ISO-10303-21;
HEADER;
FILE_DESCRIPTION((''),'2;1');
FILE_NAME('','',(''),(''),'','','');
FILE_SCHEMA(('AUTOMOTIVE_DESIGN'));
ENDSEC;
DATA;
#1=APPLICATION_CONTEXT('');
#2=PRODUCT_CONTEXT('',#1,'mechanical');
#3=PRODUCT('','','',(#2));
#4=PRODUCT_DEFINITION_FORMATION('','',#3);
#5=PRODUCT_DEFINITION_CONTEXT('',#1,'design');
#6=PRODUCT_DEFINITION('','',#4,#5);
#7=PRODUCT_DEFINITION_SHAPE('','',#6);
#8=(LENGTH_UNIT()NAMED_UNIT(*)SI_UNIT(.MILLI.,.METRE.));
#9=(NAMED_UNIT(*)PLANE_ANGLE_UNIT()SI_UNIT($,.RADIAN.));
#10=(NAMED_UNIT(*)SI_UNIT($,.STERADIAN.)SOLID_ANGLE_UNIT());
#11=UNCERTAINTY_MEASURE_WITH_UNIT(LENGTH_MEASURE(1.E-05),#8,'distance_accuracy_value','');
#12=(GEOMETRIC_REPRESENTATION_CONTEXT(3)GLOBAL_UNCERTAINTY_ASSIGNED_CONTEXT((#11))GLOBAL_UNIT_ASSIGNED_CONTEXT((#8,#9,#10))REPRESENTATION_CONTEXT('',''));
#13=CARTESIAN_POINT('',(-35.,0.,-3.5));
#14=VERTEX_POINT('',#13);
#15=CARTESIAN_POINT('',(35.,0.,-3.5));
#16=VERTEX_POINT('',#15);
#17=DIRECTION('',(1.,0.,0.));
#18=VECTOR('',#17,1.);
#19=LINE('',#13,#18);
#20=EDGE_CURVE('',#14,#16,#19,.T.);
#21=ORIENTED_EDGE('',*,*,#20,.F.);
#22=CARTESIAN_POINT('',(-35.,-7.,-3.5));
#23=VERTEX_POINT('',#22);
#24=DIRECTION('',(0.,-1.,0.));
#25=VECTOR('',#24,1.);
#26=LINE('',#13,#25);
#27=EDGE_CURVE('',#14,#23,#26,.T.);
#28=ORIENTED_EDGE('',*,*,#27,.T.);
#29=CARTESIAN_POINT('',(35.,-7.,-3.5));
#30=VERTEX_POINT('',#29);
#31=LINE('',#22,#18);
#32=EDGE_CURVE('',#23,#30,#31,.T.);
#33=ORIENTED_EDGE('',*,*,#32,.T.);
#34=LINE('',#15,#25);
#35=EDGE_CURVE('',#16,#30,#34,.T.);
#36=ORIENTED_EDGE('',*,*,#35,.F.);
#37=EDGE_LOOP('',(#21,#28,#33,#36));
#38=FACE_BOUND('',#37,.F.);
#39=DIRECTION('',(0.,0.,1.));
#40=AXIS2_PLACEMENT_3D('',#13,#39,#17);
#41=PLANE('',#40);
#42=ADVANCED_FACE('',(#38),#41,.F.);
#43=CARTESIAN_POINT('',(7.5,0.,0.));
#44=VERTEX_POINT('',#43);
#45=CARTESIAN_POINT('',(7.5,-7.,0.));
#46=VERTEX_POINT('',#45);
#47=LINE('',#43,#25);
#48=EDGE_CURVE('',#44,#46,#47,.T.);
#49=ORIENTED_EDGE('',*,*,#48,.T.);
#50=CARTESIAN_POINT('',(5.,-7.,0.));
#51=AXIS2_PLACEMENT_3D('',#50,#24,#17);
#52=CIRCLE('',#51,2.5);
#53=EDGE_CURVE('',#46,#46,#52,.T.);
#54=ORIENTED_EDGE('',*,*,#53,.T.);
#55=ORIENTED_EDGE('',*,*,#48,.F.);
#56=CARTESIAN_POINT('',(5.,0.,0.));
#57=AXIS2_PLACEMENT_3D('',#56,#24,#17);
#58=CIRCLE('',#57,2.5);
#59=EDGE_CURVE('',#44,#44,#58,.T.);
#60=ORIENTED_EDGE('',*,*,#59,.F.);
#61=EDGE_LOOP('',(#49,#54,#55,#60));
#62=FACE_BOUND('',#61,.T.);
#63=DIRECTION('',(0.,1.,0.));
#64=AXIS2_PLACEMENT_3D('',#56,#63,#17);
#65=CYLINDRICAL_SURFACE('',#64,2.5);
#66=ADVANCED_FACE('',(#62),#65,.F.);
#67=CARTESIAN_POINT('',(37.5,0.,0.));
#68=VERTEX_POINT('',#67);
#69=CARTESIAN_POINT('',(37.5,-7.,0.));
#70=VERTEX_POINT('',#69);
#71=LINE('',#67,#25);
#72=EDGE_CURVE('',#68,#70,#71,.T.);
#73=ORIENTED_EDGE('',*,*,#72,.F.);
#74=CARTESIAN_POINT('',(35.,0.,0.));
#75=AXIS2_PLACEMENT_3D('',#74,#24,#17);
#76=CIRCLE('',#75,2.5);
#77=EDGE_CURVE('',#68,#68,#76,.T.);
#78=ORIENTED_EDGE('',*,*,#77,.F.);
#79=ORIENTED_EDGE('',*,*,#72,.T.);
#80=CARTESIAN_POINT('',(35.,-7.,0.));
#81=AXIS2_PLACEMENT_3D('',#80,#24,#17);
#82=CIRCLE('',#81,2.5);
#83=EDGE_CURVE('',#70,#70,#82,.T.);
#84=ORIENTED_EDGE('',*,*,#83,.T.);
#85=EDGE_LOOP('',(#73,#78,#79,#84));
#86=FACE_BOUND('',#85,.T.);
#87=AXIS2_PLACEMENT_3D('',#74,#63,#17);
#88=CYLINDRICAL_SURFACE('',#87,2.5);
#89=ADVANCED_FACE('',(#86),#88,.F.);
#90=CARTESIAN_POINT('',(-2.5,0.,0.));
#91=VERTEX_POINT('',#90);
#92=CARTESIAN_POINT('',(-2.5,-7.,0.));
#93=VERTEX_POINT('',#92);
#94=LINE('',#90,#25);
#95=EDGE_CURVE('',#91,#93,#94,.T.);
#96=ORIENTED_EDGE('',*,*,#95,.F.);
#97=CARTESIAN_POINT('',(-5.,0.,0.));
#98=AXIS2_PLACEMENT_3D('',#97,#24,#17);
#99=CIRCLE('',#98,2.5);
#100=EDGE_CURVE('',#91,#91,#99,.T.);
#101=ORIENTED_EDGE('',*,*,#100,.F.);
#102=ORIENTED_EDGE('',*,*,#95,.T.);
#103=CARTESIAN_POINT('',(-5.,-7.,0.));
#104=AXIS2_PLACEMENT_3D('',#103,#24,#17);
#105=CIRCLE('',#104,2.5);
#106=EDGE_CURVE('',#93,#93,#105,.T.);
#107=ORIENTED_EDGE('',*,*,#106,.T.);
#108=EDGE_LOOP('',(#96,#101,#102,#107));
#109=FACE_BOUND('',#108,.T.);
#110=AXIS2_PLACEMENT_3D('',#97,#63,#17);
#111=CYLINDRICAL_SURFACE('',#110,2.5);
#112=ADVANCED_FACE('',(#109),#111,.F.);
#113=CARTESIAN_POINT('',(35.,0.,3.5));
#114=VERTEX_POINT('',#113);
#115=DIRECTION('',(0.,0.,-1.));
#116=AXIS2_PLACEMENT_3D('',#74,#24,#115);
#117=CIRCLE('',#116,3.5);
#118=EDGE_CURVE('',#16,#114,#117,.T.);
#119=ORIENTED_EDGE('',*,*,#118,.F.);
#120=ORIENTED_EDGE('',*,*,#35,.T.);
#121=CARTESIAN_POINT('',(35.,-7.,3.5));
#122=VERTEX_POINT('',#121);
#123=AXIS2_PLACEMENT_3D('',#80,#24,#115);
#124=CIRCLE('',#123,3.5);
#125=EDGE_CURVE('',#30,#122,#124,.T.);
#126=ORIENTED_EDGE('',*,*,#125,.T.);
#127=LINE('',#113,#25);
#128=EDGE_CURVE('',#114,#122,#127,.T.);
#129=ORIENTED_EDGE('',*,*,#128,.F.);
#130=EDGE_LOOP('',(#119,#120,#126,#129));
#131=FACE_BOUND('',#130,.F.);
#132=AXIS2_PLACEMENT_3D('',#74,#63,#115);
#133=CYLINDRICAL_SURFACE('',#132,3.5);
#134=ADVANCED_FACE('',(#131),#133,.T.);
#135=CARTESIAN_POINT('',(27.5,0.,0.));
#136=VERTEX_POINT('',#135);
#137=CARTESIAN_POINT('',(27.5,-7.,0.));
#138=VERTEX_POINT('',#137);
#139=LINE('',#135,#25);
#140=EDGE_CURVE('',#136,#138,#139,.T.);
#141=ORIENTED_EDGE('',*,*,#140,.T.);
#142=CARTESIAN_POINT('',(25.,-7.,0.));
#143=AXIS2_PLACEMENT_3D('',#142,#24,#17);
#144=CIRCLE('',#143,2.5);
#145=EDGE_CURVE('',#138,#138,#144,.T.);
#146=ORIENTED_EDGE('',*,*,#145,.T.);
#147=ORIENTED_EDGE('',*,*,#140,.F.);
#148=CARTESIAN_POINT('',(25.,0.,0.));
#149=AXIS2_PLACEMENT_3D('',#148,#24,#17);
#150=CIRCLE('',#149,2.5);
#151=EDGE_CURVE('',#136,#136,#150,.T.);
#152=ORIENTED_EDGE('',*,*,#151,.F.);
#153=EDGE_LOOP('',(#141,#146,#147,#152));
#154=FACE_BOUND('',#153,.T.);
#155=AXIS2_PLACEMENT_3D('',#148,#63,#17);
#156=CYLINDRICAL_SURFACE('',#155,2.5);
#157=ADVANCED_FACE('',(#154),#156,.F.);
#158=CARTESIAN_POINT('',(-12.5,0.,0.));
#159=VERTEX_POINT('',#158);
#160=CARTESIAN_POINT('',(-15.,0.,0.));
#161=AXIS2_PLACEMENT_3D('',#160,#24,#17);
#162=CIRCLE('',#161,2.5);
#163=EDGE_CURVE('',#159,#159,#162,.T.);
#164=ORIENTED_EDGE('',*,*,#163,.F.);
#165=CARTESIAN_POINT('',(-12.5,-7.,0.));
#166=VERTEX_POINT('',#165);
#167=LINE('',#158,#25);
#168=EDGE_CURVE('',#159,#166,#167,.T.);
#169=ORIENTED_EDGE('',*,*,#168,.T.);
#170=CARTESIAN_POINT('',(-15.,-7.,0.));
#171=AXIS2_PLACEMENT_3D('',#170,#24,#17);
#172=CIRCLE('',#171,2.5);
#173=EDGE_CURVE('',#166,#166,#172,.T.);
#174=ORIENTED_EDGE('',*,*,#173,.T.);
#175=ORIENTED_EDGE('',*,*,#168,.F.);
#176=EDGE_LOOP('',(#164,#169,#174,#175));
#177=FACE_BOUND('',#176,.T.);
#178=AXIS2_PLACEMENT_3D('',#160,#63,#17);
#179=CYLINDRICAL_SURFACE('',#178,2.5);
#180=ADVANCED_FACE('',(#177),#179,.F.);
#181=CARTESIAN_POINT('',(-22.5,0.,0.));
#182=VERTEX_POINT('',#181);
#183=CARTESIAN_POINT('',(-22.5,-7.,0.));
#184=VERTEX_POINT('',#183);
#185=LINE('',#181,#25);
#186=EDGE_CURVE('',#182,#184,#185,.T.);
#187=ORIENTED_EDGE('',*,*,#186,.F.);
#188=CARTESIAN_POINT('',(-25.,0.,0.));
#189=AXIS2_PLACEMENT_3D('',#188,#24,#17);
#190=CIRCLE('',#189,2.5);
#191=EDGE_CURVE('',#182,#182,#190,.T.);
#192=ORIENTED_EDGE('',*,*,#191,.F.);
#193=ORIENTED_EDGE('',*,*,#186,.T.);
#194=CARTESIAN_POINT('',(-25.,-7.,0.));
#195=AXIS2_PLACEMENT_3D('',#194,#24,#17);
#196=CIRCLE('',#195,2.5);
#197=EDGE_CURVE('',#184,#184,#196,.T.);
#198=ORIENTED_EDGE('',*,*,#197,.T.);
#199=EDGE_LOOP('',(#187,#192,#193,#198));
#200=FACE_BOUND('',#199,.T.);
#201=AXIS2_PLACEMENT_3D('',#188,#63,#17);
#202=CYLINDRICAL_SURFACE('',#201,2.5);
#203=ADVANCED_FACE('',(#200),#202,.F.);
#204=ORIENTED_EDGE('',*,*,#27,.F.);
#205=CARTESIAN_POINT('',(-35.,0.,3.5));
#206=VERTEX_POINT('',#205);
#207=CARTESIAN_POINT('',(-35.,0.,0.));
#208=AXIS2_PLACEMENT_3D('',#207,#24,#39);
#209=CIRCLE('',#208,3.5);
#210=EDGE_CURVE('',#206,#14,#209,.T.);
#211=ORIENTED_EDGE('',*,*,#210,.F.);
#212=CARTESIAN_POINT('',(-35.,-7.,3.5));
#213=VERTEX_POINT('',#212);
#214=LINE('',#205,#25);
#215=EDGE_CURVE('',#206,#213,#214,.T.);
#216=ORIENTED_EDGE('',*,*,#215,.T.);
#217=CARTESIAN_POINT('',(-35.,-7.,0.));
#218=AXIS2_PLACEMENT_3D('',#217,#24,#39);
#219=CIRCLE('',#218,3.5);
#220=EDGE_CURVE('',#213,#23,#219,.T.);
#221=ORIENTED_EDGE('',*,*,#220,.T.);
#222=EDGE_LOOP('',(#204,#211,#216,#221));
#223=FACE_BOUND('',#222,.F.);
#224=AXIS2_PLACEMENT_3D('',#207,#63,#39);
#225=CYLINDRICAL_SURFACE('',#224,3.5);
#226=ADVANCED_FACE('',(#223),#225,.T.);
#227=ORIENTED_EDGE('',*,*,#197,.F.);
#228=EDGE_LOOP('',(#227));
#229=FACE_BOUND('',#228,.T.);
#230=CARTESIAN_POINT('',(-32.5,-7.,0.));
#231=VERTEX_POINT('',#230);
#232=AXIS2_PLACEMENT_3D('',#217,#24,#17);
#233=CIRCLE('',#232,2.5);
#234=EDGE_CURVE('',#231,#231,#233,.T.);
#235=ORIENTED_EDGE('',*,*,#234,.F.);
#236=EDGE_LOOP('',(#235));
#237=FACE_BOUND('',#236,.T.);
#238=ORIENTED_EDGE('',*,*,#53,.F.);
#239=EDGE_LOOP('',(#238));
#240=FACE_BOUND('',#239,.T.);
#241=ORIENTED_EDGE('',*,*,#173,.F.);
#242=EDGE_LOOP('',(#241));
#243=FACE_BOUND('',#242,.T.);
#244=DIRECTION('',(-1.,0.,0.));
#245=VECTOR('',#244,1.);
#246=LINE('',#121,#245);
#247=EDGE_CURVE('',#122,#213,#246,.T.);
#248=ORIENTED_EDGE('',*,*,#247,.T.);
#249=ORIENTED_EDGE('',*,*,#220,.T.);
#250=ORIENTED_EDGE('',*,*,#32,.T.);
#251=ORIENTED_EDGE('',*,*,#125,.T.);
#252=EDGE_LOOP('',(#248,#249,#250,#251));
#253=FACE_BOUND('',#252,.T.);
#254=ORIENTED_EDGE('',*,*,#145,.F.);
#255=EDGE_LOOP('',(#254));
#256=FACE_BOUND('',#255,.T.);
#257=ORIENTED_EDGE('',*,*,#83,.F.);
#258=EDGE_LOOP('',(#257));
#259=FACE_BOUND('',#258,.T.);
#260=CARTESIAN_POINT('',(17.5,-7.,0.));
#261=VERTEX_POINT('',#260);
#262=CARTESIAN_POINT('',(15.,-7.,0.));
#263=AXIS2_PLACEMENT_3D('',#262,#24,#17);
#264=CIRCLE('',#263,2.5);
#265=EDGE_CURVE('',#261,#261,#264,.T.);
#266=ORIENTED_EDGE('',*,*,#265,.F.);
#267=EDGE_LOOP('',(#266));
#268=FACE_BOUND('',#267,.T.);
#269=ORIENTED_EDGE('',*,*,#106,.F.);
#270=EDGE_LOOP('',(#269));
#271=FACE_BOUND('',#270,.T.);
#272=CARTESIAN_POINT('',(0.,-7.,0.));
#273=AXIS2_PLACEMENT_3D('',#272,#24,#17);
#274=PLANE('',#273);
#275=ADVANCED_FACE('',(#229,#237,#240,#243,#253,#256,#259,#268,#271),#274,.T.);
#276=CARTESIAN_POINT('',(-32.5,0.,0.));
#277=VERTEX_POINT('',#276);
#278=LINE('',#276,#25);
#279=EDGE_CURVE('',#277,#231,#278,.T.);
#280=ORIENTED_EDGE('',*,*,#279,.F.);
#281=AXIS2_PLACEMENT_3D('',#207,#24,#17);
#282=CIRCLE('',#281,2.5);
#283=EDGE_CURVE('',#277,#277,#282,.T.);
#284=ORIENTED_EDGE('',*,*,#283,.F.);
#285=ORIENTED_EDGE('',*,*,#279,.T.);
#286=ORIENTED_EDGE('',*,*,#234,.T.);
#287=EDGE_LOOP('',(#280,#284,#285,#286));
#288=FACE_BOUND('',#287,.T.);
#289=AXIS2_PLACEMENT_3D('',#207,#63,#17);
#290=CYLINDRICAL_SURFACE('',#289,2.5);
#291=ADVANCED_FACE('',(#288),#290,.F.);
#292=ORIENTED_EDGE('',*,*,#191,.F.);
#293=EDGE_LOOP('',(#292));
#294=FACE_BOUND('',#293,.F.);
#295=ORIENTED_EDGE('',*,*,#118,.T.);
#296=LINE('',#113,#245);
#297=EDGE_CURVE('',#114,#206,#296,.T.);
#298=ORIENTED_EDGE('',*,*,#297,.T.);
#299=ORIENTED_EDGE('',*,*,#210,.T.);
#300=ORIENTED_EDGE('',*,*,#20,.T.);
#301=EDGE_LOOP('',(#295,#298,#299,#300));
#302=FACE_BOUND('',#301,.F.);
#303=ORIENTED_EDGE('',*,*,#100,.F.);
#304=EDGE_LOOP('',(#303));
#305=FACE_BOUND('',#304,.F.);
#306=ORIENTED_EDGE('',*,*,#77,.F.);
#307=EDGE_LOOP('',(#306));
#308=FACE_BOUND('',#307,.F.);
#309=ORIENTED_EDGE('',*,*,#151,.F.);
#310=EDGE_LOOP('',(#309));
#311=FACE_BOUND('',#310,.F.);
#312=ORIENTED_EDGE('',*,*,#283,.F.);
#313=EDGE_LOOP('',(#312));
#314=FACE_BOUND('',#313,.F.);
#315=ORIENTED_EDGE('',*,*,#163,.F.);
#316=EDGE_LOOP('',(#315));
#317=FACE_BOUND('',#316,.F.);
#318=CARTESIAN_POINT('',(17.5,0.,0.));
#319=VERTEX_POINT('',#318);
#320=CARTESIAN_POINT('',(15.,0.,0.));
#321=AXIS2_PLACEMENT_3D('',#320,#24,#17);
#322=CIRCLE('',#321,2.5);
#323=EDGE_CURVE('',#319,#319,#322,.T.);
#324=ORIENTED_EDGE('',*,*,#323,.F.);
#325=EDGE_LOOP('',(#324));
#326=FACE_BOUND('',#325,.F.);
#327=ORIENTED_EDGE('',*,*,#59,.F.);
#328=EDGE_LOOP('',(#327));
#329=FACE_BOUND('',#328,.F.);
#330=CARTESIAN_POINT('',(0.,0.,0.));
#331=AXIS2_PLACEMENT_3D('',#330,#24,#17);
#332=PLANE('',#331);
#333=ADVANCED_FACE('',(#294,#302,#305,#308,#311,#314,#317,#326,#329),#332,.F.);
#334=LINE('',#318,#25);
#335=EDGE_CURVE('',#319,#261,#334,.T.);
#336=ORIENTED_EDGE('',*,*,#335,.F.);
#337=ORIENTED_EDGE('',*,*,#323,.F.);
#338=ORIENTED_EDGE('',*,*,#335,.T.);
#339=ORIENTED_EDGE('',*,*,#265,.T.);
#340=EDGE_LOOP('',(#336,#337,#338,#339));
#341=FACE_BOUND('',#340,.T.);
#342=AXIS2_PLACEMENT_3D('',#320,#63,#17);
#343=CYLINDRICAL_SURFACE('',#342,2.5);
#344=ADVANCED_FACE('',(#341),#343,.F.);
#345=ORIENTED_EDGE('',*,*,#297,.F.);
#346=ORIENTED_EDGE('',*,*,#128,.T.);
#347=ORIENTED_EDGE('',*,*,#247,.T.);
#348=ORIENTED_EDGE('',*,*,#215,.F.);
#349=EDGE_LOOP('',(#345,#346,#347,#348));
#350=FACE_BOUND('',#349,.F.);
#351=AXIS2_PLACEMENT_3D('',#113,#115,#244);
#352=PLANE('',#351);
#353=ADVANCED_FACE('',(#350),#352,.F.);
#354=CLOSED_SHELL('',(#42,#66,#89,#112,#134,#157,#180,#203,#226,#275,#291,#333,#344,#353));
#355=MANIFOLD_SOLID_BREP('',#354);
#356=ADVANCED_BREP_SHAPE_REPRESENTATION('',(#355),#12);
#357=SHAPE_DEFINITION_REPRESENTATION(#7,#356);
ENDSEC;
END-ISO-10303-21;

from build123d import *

# Parameters (mm, degrees)
F0_R     = 2.5
F1_DEPTH = 7


with BuildPart() as f1:
    # F0 (on Front) → F1 (new body)
    with BuildSketch(Plane.XZ):
        with BuildLine():
            Line((35, 3.5), (-35, 3.5))
            ThreePointArc((-35, 3.5), (-38.5, 0), (-35, -3.5))
            Line((-35, -3.5), (35, -3.5))
            ThreePointArc((35, -3.5), (38.5, 0), (35, 3.5))
        make_face()
        with Locations((-35, 0)):
            Circle(F0_R, mode=Mode.SUBTRACT)
        with Locations((-25, 0)):
            Circle(F0_R, mode=Mode.SUBTRACT)
        with Locations((-15, 0)):
            Circle(F0_R, mode=Mode.SUBTRACT)
        with Locations((-5, 0)):
            Circle(F0_R, mode=Mode.SUBTRACT)
        with Locations((5, 0)):
            Circle(F0_R, mode=Mode.SUBTRACT)
        with Locations((15, 0)):
            Circle(F0_R, mode=Mode.SUBTRACT)
        with Locations((25, 0)):
            Circle(F0_R, mode=Mode.SUBTRACT)
        with Locations((35, 0)):
            Circle(F0_R, mode=Mode.SUBTRACT)
    extrude(amount=F1_DEPTH)


solid = f1.part
